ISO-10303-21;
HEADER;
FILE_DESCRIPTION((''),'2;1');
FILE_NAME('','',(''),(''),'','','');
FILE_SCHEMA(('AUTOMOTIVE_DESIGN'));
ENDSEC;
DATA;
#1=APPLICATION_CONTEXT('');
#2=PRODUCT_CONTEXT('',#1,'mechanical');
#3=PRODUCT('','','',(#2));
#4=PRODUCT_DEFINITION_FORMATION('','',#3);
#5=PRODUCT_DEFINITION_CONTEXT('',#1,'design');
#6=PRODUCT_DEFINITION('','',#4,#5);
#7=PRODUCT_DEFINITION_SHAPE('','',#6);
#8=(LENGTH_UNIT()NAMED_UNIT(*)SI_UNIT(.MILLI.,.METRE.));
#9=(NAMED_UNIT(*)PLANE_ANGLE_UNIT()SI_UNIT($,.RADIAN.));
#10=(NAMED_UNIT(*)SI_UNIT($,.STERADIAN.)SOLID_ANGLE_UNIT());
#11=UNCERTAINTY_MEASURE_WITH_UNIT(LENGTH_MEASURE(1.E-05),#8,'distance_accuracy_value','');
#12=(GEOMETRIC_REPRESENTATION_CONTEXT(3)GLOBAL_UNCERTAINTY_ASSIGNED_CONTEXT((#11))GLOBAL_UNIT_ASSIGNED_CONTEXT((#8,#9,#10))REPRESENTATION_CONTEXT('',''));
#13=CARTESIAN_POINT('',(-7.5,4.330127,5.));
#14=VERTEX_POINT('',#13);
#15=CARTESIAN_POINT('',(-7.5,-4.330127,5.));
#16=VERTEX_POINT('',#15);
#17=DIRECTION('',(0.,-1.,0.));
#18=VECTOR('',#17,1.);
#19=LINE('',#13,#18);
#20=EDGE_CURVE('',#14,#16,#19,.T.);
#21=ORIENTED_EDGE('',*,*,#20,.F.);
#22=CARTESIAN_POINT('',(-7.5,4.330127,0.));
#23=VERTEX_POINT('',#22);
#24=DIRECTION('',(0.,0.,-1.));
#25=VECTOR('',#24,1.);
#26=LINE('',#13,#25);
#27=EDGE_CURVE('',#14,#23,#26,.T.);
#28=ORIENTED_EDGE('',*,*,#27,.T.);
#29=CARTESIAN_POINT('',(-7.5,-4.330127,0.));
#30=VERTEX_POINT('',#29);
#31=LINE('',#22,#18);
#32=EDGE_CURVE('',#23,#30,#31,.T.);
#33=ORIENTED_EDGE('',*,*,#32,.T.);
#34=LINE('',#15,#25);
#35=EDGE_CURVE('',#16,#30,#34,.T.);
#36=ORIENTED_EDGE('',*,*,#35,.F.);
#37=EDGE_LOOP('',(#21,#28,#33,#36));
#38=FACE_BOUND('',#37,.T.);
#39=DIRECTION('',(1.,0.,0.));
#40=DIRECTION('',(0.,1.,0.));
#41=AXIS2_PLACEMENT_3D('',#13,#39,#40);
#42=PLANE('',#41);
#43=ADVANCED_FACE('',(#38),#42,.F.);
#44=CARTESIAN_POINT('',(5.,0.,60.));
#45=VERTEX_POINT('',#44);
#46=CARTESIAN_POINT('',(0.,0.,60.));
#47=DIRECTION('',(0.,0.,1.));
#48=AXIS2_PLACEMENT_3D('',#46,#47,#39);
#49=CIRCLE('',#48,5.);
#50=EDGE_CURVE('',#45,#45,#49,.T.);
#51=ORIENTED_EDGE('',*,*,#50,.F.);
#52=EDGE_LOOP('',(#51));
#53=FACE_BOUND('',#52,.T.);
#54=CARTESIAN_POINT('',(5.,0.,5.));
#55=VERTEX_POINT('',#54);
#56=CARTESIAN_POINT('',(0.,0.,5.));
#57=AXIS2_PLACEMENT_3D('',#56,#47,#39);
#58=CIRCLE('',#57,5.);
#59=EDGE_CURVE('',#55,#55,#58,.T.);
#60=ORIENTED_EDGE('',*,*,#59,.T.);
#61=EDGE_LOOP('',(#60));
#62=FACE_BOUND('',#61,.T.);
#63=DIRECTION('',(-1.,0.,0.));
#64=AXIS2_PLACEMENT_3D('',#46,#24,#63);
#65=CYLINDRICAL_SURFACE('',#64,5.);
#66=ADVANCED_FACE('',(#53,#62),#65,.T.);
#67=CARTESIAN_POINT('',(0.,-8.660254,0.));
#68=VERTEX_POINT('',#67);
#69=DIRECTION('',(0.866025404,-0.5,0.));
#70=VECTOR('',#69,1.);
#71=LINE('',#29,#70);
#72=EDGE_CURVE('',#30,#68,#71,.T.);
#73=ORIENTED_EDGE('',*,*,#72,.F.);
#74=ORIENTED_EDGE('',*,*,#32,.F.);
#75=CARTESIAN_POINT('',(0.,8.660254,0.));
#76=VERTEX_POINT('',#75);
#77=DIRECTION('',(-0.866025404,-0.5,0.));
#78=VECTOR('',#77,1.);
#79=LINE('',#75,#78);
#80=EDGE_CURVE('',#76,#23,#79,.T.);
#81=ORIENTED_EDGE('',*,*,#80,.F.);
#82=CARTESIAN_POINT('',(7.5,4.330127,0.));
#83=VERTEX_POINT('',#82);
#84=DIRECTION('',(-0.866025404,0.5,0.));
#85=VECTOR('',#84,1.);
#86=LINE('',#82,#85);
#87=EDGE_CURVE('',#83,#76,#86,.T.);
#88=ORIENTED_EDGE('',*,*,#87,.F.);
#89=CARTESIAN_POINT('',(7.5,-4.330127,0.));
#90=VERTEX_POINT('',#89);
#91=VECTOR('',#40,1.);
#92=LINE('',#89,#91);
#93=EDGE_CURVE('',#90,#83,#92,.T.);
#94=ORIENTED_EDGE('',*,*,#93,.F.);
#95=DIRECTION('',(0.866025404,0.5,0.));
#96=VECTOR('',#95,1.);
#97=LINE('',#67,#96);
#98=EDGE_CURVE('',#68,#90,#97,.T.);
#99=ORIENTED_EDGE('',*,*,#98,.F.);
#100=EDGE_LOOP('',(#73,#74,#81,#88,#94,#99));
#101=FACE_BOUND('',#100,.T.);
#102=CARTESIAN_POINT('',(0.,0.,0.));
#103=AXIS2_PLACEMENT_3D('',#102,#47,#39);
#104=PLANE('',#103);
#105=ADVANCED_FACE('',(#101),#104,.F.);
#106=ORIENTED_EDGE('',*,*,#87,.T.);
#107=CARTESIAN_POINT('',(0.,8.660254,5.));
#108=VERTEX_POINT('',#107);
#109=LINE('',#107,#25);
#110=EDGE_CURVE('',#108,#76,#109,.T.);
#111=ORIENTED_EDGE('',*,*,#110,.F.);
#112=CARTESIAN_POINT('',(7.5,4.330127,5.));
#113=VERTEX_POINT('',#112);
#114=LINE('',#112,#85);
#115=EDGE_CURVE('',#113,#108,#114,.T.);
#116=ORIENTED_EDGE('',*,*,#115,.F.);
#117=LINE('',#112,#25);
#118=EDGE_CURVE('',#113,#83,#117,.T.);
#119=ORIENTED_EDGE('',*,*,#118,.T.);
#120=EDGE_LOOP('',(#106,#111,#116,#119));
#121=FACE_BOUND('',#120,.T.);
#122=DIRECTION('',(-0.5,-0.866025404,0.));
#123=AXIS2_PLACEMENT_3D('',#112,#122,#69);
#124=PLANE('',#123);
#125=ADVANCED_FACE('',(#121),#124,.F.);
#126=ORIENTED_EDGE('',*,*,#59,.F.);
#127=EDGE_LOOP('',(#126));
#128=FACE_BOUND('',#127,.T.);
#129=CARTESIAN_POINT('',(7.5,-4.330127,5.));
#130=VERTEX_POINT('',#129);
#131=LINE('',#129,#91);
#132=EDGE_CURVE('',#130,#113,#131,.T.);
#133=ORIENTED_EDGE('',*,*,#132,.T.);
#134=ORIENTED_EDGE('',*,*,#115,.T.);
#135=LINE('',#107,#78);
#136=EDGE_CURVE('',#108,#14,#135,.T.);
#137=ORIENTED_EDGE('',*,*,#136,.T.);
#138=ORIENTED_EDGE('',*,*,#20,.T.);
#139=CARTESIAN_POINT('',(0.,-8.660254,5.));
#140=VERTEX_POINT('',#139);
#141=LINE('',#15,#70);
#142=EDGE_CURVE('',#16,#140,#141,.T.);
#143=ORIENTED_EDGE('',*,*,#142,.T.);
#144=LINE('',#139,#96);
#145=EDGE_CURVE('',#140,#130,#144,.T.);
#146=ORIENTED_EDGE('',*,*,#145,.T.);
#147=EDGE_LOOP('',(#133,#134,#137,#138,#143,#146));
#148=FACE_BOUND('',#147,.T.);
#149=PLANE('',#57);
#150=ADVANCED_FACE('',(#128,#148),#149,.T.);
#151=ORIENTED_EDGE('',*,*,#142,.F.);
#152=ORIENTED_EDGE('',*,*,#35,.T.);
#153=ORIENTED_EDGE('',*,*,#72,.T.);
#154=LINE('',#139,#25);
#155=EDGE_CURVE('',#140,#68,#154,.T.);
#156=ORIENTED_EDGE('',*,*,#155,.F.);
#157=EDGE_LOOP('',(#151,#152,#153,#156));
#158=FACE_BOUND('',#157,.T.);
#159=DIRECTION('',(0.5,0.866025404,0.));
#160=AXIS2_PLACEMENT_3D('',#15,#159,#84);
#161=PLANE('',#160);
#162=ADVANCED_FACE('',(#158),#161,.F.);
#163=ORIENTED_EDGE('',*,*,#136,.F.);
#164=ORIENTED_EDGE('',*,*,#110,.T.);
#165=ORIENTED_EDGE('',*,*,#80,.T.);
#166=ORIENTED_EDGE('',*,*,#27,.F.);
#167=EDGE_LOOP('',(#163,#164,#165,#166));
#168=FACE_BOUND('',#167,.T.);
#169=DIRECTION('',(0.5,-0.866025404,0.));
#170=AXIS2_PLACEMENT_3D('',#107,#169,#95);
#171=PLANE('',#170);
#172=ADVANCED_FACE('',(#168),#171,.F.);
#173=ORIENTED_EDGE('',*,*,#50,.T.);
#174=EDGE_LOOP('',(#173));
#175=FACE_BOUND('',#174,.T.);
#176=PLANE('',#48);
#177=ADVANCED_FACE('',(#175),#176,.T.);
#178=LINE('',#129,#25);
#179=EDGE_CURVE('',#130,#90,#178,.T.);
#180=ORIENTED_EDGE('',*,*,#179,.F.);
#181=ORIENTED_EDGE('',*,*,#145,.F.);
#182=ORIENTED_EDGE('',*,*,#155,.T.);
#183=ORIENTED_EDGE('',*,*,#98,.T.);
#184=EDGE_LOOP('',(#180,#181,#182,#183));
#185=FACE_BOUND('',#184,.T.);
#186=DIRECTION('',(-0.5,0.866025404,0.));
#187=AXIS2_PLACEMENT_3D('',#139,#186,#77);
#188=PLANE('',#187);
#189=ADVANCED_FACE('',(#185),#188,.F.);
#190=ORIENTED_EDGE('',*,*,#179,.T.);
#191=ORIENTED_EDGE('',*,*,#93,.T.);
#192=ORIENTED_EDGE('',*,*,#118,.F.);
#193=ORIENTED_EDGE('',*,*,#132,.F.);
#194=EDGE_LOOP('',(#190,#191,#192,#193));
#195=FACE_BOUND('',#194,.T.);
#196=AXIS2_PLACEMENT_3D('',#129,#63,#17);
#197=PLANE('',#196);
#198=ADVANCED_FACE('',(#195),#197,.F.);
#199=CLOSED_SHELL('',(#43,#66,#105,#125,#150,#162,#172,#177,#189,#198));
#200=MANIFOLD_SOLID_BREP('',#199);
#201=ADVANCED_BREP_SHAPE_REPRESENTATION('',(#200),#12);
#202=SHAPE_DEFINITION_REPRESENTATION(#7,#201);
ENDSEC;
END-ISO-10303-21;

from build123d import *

# Parameters (mm, degrees)
BOSS_EXTRUDE1_DEPTH = 5
SKETCH2_R           = 5
BOSS_EXTRUDE2_DEPTH = 55


with BuildPart() as part:
    # Sketch1 → Boss-Extrude1 (new body)
    with BuildSketch(Plane.XY):
        Polygon((0, 8.660254038), (-7.5, 4.330127019), (-7.5, -4.330127019), (0, -8.660254038), (7.5, -4.330127019), (7.5, 4.330127019), align=None)
    extrude(amount=BOSS_EXTRUDE1_DEPTH)

    # Sketch2 → Boss-Extrude2 (add)
    with BuildSketch(Plane.XY.offset(5)):
        Circle(SKETCH2_R)
    extrude(amount=BOSS_EXTRUDE2_DEPTH)


solid = part.part
